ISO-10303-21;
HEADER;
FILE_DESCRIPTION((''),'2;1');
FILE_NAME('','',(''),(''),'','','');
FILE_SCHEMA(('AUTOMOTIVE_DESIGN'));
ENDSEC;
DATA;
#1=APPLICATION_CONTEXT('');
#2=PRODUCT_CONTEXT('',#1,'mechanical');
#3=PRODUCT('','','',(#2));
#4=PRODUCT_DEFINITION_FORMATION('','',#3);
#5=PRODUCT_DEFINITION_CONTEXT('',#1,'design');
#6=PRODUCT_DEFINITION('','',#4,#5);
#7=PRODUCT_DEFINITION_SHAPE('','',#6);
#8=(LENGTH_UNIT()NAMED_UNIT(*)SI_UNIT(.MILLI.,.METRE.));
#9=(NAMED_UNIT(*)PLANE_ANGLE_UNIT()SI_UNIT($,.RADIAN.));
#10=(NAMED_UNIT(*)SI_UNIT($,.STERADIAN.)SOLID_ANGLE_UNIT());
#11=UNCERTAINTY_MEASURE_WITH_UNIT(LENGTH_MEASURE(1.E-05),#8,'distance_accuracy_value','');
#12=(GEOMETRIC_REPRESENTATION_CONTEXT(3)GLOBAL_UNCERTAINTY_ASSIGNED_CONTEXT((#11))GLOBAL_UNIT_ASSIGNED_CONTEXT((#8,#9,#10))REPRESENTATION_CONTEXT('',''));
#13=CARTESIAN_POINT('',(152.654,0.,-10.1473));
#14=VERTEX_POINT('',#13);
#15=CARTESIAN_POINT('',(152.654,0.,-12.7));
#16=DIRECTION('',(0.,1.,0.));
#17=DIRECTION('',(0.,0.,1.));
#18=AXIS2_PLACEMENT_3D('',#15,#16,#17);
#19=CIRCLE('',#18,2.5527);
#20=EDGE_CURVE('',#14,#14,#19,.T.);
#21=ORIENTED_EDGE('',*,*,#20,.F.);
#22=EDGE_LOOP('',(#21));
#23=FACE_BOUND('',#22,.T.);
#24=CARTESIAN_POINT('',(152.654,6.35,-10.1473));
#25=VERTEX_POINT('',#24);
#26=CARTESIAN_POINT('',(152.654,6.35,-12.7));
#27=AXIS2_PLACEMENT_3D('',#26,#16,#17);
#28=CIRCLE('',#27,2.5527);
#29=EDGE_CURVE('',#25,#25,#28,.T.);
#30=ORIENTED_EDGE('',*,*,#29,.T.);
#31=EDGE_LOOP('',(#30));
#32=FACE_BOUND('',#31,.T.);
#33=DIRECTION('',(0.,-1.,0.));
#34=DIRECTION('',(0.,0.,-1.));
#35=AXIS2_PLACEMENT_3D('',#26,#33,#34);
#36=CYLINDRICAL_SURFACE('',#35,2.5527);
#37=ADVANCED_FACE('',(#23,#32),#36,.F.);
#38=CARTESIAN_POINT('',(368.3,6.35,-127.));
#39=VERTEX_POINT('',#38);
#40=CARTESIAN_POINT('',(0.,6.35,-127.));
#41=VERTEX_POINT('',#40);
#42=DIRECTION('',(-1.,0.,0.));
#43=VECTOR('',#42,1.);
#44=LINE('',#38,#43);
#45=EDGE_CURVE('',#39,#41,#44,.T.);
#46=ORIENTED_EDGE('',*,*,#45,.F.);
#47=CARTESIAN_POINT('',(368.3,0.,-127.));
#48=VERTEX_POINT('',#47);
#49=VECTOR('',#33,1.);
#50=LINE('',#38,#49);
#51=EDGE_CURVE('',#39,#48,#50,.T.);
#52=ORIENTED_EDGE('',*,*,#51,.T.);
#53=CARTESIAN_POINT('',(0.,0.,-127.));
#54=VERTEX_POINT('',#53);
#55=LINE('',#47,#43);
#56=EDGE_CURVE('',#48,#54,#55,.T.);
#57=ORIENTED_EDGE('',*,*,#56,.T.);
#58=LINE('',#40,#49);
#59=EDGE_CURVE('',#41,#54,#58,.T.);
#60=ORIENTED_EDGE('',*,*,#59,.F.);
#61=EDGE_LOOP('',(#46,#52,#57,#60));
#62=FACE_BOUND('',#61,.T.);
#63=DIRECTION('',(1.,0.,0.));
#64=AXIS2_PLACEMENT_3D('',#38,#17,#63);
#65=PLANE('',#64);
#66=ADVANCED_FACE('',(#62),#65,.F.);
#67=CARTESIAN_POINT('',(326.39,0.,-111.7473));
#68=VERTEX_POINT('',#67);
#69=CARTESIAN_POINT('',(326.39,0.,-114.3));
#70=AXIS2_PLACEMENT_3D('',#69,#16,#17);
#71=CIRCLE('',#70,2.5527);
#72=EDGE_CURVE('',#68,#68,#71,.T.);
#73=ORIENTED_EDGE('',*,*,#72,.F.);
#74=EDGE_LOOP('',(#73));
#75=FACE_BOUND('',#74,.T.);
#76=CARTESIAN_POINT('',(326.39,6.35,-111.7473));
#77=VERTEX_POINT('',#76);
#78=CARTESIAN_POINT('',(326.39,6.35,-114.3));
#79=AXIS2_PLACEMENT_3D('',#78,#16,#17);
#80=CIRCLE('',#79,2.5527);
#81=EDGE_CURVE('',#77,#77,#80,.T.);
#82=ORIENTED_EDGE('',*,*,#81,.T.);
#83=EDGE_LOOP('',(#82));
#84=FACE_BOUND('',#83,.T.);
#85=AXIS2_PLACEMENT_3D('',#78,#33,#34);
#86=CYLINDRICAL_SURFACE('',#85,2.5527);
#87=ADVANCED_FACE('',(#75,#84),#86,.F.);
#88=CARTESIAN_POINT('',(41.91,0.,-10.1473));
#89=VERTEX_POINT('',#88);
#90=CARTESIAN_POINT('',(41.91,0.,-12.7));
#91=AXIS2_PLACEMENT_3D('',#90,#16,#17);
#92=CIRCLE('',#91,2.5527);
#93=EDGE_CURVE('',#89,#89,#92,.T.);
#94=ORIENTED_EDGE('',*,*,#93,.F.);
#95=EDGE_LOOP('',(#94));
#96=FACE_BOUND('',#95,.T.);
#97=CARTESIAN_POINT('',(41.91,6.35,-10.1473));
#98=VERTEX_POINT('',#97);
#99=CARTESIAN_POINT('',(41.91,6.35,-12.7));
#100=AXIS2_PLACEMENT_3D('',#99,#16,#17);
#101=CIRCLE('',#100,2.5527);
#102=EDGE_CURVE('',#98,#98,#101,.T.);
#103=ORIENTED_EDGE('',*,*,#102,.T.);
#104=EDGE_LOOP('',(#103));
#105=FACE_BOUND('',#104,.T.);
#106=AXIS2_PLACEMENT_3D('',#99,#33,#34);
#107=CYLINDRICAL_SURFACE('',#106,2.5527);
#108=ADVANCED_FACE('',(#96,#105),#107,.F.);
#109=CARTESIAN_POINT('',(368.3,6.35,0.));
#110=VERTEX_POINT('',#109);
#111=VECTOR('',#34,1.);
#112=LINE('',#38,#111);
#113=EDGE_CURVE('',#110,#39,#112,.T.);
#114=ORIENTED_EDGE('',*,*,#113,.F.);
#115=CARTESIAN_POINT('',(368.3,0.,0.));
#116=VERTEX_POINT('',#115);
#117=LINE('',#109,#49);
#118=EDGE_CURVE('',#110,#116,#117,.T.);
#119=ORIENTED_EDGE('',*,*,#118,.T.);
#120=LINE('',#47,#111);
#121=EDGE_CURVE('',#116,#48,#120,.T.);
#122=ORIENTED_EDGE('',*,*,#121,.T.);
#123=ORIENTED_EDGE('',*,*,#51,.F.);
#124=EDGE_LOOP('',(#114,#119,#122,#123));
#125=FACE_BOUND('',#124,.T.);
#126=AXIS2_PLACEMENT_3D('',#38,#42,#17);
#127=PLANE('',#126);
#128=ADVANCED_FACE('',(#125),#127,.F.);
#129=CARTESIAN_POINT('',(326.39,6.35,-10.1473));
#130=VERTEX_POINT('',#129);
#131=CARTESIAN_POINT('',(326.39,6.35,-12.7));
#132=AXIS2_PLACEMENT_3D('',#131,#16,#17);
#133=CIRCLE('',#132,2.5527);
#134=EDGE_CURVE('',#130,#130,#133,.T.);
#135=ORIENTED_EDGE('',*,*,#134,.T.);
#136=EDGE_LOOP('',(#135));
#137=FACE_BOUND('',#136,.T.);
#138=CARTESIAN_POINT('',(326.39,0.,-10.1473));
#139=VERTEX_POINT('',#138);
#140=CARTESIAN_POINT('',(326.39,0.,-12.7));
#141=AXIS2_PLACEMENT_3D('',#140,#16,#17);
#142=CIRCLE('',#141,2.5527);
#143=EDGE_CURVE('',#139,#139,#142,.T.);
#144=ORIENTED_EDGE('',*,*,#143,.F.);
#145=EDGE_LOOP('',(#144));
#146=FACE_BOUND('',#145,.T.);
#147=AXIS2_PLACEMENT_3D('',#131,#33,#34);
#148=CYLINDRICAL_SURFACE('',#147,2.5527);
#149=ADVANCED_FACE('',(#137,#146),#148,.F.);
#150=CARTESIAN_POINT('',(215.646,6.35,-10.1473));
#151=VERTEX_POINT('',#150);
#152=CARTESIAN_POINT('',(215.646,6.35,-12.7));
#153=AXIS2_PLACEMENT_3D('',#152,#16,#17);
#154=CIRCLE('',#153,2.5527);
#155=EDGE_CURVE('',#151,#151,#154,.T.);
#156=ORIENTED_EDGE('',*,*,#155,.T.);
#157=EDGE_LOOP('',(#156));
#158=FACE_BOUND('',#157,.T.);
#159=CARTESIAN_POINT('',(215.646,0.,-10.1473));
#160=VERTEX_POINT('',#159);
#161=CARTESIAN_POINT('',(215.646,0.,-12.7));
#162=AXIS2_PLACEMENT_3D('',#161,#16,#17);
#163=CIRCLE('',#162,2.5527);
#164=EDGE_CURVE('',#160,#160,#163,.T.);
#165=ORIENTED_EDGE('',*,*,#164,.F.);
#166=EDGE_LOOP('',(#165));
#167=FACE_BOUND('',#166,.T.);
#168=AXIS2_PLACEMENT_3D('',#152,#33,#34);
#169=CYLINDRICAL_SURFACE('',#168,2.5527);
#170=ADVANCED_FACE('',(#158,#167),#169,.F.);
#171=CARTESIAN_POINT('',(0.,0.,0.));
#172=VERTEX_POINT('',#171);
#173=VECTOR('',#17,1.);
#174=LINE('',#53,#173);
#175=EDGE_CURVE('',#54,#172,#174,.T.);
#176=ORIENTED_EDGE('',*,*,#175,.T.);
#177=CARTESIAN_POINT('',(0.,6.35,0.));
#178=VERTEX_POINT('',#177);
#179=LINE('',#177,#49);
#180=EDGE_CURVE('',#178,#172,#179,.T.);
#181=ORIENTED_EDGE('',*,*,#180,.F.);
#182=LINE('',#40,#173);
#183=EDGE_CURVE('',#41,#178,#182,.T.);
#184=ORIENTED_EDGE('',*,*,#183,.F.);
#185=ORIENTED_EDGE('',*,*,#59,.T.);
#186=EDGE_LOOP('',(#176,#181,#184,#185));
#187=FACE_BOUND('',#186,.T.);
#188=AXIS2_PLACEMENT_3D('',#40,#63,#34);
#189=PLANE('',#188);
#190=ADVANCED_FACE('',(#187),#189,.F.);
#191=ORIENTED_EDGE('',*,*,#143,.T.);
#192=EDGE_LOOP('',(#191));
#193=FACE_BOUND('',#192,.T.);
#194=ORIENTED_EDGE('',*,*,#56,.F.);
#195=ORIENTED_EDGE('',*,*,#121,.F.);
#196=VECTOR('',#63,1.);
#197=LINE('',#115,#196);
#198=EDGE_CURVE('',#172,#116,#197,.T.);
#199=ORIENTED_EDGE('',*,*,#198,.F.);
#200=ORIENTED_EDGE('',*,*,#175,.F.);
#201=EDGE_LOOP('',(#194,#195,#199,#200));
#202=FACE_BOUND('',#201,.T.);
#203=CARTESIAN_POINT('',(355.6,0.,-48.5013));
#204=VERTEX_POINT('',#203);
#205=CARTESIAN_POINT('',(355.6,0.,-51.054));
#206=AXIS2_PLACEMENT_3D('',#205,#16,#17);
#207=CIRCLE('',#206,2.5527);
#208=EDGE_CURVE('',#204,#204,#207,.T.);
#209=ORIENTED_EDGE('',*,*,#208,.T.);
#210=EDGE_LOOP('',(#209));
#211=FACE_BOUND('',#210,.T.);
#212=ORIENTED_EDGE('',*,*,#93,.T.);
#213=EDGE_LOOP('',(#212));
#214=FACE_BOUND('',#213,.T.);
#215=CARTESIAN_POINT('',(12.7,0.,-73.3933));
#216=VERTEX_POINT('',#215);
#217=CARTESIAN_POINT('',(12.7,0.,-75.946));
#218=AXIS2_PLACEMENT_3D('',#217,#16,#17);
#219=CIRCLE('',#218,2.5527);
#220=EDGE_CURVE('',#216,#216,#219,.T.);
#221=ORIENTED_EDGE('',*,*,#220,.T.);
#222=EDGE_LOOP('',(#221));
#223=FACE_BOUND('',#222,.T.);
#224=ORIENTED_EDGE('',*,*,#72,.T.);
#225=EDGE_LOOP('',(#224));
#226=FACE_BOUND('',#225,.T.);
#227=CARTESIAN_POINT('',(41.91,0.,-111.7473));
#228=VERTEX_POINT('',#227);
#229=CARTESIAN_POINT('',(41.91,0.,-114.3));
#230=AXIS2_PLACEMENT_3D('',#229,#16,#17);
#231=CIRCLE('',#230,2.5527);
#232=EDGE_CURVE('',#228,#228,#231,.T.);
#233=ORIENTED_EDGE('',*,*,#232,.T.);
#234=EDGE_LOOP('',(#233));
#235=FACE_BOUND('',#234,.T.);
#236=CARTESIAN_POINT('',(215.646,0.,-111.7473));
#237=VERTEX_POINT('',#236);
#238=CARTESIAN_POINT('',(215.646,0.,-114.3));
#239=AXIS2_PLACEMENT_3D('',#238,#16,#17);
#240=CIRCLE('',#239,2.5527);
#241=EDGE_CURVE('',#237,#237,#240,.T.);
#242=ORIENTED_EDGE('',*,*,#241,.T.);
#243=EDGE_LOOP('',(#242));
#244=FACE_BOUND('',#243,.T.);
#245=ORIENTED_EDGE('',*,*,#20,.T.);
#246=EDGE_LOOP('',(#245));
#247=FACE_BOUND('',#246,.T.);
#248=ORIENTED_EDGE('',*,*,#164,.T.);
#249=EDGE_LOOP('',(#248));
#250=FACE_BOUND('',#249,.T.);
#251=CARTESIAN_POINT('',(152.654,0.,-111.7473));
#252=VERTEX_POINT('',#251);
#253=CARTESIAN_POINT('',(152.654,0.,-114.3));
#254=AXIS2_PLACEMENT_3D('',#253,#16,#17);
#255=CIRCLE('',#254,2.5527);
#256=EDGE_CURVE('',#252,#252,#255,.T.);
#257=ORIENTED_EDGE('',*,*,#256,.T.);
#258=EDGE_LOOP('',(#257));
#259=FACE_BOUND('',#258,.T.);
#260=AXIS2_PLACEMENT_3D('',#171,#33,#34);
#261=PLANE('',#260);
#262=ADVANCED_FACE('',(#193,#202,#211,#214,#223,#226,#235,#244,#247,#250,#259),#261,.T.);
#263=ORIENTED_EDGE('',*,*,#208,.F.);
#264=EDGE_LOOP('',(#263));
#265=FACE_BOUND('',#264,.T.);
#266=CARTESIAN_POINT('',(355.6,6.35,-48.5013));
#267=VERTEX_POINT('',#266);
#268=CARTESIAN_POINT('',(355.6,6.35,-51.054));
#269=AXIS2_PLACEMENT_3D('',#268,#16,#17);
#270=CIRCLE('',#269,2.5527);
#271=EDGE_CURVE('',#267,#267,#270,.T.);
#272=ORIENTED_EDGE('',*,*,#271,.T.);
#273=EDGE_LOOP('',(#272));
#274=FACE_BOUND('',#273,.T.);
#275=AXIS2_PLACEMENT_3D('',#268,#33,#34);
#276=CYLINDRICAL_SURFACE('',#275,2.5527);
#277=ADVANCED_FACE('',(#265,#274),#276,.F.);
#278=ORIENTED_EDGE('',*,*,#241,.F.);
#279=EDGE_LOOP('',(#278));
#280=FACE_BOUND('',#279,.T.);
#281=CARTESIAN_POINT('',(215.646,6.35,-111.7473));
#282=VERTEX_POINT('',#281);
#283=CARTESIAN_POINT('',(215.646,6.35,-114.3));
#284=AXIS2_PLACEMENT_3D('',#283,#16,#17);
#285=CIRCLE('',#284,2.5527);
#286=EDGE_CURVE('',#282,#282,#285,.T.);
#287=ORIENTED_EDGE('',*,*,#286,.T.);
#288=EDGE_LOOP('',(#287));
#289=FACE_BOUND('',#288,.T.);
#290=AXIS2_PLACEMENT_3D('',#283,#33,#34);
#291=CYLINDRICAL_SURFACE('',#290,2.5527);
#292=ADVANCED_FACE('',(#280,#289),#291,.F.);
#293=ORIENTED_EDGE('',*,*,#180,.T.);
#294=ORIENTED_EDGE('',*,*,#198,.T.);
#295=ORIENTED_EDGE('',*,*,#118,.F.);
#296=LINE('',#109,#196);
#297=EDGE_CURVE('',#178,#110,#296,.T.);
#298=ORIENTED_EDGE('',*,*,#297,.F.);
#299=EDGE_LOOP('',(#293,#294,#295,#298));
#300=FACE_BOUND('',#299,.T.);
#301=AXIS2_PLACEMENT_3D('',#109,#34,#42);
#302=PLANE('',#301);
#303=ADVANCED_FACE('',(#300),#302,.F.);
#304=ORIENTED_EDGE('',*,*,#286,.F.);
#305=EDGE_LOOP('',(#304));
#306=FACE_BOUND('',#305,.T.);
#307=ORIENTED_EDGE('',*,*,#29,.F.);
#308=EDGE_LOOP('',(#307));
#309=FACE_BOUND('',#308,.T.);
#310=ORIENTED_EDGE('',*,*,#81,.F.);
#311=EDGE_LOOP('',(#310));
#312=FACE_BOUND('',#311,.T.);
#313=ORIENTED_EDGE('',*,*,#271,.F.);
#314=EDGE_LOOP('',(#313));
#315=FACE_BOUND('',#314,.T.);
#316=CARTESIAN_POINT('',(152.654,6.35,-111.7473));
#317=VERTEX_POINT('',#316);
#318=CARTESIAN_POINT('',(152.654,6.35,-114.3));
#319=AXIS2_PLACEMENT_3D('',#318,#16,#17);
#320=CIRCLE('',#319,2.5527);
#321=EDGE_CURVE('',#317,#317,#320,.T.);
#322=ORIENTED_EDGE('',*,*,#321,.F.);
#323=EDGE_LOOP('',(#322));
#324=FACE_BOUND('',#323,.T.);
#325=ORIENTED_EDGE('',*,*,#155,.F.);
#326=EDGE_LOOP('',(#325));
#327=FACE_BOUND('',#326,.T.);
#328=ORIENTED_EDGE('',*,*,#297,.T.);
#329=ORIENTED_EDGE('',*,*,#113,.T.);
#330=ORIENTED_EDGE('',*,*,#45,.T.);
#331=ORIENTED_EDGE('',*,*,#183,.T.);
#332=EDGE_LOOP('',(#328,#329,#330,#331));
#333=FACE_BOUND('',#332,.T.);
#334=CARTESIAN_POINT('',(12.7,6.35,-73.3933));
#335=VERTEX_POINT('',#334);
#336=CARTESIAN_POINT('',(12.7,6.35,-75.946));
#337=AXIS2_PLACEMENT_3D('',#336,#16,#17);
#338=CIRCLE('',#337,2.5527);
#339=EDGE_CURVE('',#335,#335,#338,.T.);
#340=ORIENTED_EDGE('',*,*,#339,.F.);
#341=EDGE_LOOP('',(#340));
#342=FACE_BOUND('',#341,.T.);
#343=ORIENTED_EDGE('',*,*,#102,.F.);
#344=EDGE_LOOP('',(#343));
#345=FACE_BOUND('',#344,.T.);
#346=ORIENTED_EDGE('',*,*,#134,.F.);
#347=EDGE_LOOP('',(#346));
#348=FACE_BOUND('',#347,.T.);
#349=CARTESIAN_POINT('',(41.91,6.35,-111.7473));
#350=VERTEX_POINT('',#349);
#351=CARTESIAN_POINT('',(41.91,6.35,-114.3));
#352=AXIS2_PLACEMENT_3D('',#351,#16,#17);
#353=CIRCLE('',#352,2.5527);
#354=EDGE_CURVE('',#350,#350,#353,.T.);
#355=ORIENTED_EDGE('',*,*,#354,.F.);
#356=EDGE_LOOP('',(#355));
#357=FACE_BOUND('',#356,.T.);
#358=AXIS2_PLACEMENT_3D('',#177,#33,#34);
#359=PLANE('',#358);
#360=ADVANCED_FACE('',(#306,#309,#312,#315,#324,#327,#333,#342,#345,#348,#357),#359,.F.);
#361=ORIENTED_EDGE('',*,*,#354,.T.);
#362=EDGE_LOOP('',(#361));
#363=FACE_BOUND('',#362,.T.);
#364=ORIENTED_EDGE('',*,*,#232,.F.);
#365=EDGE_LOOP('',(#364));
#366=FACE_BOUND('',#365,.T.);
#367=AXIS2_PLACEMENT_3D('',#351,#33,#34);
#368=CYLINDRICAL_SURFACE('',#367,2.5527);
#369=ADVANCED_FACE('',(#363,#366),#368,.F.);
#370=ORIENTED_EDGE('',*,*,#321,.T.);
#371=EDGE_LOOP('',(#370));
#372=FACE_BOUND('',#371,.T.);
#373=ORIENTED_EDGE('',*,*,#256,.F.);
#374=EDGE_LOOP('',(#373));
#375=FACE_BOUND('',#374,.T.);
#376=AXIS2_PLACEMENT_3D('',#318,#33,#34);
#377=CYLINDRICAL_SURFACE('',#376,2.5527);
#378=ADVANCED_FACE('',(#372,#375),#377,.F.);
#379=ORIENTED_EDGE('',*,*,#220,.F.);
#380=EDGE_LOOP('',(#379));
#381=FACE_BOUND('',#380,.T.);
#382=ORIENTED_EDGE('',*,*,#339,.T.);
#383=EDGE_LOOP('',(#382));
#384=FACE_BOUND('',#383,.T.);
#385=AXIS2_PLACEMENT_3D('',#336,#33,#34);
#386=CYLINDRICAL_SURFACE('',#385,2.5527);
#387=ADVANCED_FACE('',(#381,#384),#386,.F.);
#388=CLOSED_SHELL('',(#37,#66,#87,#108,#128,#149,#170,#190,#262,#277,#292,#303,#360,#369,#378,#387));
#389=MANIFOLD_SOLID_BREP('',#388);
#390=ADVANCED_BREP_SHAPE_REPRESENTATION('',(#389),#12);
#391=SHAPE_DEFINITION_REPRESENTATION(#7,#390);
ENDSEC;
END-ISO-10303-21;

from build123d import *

# Parameters (mm, degrees)
SKETCH1_W           = 368.3
SKETCH1_H           = 127
SKETCH1_R           = 2.5527
BOSS_EXTRUDE1_DEPTH = 6.35


with BuildPart() as part:
    # Sketch1 → Boss-Extrude1 (new body)
    with BuildSketch(Plane(origin=(0, 0, 0), x_dir=(1, 0, 0), z_dir=(0, 1, 0))):
        with Locations((184.15, 63.5)):
            Rectangle(SKETCH1_W, SKETCH1_H)
        with Locations(Location((326.39, 12.7, 0), (0, 0, 270))):
            Circle(SKETCH1_R, mode=Mode.SUBTRACT)
        with Locations(Location((41.91, 12.7, 0), (0, 0, 270))):
            Circle(SKETCH1_R, mode=Mode.SUBTRACT)
        with Locations(Location((41.91, 114.3, 0), (0, 0, 270))):
            Circle(SKETCH1_R, mode=Mode.SUBTRACT)
        with Locations(Location((326.39, 114.3, 0), (0, 0, 270))):
            Circle(SKETCH1_R, mode=Mode.SUBTRACT)
        with Locations(Location((215.646, 12.7, 0), (0, 0, 270))):
            Circle(SKETCH1_R, mode=Mode.SUBTRACT)
        with Locations(Location((152.654, 12.7, 0), (0, 0, 270))):
            Circle(SKETCH1_R, mode=Mode.SUBTRACT)
        with Locations(Location((215.646, 114.3, 0), (0, 0, 270))):
            Circle(SKETCH1_R, mode=Mode.SUBTRACT)
        with Locations(Location((152.654, 114.3, 0), (0, 0, 270))):
            Circle(SKETCH1_R, mode=Mode.SUBTRACT)
        with Locations(Location((12.7, 75.946, 0), (0, 0, 270))):
            Circle(SKETCH1_R, mode=Mode.SUBTRACT)
        with Locations(Location((355.6, 51.054, 0), (0, 0, 270))):
            Circle(SKETCH1_R, mode=Mode.SUBTRACT)
    extrude(amount=BOSS_EXTRUDE1_DEPTH)


solid = part.part
